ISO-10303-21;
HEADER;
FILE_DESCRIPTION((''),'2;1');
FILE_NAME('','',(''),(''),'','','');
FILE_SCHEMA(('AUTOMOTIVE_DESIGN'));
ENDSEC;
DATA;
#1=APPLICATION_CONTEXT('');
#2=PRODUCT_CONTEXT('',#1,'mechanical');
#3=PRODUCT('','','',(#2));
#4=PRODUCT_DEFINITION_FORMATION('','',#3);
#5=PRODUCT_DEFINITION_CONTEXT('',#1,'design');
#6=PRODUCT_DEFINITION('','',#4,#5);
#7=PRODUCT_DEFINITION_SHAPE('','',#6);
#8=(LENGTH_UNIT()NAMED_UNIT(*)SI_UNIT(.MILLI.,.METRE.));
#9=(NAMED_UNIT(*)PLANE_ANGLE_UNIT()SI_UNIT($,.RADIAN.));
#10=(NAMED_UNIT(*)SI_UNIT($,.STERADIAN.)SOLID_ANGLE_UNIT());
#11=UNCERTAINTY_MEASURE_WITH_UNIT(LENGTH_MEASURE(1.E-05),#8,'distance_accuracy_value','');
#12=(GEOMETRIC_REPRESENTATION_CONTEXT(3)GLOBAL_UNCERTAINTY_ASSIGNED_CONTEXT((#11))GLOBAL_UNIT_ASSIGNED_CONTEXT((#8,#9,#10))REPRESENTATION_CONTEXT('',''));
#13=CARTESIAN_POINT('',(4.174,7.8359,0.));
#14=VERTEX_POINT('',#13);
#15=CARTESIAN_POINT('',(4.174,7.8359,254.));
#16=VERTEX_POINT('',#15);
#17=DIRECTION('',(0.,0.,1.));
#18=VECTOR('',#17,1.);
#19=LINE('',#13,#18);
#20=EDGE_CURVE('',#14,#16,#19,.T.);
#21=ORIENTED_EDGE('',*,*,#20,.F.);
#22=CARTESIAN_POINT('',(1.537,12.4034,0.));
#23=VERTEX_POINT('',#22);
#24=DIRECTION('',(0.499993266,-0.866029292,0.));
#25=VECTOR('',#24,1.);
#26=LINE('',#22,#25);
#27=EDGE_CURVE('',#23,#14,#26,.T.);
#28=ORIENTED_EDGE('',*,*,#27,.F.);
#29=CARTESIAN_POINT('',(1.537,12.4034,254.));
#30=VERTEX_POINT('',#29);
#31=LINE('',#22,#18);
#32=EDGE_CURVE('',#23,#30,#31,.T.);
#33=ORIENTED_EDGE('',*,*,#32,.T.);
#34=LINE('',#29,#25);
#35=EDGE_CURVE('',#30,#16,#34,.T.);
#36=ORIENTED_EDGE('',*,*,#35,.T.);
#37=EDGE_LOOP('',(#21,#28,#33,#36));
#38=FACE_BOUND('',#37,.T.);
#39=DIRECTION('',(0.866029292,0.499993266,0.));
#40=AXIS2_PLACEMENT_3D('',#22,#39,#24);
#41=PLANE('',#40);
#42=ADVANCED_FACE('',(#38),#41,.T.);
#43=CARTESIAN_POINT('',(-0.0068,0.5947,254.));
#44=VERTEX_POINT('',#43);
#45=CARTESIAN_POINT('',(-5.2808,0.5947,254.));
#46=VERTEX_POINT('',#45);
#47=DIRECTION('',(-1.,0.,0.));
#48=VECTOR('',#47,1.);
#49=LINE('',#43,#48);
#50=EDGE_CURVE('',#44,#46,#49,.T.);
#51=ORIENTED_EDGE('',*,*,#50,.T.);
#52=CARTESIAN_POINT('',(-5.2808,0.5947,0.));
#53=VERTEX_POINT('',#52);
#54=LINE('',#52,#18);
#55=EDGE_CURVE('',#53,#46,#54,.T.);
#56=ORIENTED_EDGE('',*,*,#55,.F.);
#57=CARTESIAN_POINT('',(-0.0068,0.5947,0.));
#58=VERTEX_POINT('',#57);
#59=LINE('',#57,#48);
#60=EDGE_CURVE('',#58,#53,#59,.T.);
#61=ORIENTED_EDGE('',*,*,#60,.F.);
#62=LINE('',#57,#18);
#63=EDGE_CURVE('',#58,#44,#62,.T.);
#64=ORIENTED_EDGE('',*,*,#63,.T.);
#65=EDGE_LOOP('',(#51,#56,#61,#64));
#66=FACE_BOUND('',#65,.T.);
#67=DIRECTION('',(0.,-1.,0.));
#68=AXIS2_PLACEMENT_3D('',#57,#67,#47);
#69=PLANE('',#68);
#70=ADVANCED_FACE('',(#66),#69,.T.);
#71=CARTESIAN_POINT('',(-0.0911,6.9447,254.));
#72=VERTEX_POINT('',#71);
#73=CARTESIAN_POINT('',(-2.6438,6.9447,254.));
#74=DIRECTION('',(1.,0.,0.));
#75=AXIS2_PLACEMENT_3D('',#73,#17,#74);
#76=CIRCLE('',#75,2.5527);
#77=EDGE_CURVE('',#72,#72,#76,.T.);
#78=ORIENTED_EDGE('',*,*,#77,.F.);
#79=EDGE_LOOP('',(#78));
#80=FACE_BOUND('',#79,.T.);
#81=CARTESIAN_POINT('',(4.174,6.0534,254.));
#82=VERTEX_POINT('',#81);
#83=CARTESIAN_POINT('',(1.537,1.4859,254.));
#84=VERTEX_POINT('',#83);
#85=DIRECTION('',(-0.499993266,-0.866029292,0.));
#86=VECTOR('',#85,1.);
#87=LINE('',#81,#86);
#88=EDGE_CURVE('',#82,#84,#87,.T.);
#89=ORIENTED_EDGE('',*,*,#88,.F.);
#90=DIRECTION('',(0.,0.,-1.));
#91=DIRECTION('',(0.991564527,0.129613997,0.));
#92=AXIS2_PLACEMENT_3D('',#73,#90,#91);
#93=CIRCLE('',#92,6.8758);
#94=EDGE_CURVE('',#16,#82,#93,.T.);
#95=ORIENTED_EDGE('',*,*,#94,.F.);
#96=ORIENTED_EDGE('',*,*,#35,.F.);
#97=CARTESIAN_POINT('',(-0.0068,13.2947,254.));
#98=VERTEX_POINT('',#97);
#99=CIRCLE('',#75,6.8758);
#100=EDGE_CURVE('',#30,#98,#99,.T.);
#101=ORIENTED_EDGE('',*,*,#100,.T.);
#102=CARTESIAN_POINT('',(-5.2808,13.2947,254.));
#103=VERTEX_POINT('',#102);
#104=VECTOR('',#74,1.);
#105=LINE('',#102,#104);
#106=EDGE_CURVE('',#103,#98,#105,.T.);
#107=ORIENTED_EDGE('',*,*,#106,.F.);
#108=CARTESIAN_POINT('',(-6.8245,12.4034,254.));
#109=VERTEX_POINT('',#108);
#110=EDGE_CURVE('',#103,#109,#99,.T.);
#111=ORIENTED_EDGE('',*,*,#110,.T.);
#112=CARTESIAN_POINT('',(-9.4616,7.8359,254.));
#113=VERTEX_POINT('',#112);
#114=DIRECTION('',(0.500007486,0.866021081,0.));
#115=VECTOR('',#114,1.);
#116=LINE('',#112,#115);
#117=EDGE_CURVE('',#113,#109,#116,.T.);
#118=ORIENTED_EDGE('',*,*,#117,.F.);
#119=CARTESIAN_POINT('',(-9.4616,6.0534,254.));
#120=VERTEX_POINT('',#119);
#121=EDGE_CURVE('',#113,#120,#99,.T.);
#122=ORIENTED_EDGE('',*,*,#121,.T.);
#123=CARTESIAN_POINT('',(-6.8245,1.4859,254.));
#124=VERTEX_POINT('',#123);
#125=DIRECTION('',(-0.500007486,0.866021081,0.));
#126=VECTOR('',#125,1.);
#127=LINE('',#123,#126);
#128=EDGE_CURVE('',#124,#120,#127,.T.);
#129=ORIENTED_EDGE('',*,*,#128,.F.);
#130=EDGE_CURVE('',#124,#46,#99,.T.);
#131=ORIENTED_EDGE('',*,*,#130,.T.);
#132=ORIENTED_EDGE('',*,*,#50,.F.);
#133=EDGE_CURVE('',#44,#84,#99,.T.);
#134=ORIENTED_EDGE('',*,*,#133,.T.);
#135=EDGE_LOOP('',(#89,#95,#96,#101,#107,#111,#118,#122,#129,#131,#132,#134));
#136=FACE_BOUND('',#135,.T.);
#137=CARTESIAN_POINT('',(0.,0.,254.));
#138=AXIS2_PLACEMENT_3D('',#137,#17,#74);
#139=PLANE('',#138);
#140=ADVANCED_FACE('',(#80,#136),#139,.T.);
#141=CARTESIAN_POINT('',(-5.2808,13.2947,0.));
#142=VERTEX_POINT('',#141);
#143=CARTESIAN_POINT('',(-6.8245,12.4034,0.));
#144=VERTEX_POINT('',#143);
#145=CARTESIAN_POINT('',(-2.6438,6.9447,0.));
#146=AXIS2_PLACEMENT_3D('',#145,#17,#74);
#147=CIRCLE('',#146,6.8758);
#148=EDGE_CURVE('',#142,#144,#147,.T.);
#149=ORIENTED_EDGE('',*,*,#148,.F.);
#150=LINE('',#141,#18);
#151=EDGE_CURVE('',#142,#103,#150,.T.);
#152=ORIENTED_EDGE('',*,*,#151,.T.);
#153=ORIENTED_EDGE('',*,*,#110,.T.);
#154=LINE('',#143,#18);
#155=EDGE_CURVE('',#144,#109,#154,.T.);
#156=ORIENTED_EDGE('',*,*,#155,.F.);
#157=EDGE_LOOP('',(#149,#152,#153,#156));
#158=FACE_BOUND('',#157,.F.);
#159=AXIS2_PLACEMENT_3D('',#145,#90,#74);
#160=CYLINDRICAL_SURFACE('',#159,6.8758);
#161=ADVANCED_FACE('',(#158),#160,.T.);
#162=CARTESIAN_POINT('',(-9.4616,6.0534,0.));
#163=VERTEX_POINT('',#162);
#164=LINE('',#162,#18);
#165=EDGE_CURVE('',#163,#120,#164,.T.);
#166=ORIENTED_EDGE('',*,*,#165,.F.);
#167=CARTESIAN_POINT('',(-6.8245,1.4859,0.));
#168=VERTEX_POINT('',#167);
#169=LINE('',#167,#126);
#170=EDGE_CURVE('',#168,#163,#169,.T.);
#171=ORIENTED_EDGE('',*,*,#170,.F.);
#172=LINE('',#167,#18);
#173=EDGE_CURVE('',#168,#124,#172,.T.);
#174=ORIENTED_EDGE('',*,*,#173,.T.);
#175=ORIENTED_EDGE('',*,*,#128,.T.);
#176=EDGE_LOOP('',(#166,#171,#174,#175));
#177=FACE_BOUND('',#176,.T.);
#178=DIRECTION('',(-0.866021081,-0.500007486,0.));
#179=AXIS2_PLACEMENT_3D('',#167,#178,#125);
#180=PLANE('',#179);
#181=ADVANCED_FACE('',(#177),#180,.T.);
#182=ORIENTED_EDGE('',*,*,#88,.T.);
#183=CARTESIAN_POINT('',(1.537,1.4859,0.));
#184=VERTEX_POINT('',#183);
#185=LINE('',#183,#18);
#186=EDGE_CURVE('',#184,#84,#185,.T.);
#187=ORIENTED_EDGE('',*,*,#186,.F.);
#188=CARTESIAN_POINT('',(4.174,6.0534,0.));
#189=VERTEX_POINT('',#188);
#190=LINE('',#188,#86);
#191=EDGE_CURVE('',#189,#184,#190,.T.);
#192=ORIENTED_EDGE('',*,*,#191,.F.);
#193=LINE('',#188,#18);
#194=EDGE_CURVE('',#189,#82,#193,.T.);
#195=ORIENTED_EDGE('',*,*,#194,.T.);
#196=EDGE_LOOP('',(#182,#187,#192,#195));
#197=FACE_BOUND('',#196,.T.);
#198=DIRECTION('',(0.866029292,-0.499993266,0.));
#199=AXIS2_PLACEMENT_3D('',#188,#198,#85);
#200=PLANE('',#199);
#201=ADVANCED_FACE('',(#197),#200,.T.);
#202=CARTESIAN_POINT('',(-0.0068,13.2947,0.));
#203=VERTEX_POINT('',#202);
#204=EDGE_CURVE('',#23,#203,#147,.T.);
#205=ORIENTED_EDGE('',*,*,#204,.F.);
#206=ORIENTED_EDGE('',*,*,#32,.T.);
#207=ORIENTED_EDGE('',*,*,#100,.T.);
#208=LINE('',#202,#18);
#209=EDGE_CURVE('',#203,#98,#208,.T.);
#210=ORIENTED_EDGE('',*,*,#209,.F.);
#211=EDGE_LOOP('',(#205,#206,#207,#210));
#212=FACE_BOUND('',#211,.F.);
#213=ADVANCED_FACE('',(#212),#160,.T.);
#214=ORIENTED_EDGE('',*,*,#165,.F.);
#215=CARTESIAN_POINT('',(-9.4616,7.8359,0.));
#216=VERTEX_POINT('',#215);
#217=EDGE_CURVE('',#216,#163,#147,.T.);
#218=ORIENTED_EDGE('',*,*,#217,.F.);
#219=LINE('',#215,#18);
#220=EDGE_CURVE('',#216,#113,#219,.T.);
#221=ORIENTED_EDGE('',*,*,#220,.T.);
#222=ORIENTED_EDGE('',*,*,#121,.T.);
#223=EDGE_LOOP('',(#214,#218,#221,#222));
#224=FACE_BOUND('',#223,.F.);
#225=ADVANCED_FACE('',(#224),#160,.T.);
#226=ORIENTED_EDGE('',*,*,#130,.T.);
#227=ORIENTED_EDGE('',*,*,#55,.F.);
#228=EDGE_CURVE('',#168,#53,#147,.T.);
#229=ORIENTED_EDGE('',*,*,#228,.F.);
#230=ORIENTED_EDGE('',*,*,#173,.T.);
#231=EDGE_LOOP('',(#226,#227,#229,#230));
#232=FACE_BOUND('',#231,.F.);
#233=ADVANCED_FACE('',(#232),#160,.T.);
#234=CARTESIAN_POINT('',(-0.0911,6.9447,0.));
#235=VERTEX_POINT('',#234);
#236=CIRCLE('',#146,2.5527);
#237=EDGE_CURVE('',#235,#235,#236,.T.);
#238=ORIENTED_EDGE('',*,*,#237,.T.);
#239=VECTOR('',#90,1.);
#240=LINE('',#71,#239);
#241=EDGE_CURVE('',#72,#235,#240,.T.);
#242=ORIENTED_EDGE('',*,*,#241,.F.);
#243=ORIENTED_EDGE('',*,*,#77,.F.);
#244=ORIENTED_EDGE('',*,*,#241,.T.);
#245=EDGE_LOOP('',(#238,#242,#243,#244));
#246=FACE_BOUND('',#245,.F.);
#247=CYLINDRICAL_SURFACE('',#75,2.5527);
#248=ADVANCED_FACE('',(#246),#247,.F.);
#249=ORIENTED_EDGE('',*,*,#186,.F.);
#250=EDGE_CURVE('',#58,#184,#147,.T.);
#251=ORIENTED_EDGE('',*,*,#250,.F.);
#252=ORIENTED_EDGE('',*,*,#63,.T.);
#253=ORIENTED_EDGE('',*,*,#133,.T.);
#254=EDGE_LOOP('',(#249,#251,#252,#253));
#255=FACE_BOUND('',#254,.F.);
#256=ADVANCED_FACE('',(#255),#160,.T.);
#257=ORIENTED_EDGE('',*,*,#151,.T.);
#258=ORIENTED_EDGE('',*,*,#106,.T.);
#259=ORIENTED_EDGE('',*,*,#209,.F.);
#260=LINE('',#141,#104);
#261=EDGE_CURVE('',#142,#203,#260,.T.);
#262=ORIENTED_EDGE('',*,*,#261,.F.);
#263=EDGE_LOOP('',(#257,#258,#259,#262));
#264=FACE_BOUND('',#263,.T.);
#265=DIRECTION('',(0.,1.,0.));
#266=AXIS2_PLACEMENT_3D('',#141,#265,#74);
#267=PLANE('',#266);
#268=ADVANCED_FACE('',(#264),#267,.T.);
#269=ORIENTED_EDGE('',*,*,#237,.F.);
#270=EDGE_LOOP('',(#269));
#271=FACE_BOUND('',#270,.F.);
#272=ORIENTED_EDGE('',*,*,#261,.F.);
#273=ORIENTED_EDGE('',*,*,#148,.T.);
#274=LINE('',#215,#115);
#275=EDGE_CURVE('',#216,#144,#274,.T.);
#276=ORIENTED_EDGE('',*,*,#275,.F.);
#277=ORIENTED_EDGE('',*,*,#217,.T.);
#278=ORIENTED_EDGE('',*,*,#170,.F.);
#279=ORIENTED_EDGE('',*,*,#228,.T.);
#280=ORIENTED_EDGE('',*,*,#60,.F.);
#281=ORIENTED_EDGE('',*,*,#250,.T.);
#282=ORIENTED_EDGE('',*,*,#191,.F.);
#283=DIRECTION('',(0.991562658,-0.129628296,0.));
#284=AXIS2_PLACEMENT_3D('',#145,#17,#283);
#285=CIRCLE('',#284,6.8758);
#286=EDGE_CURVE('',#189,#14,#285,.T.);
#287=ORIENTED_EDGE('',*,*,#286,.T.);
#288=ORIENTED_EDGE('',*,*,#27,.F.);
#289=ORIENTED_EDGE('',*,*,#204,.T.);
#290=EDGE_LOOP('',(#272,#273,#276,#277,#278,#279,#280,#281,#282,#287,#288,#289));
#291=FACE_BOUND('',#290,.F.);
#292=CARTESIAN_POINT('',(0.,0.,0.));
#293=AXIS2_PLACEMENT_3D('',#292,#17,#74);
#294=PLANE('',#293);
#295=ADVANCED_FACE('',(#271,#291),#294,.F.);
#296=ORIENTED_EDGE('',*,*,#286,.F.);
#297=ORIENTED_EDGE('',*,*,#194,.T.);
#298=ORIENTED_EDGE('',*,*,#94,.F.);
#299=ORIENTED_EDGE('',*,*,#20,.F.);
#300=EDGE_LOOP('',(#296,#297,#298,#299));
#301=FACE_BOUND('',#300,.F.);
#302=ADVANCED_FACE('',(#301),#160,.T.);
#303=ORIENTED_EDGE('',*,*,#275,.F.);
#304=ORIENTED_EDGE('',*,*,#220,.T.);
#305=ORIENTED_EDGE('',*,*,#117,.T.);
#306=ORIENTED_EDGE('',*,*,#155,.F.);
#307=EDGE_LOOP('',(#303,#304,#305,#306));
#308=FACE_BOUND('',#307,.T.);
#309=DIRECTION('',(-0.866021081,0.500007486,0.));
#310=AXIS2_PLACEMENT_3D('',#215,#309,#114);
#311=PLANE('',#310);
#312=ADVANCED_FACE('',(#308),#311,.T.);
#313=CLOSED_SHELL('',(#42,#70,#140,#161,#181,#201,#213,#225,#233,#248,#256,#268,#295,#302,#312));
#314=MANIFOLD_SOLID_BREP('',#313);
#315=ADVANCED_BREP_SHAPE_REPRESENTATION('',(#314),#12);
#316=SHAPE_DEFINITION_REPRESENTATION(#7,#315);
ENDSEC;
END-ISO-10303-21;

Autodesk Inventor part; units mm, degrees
ref_plane "YZ Plane" through (0, 0, 0) normal (1, 0, 0) x (0, 1, 0)
ref_plane "XZ Plane" through (0, 0, 0) normal (0, 1, 0) x (-1, 0, 0)
ref_plane "XY Plane" through (0, 0, 0) normal (0, 0, 1) x (1, 0, 0)
sketch "Sketch1" plane through (0, 0, 0) normal (0, 0, 1) x (1, 0, 0)
  circle A0 centre (-2.6438, 6.9447) radius 6.8758
  line L0 (-9.4616, 7.8359) -> (-6.8245, 12.4034)
  line L1 (-6.8245, 1.4859) -> (-9.4616, 6.0534)
  line L2 (-0.0068, 0.5947) -> (-5.2808, 0.5947)
  line L3 (4.174, 6.0534) -> (1.537, 1.4859)
  line L4 (1.537, 12.4034) -> (4.174, 7.8359)
  line L5 (-5.2808, 13.2947) -> (-0.0068, 13.2947)
  point P0 (0, 0)
  point P1 (1.537, 1.4859)
  dimension "d0" = 13.7516
  dimension "d4" = 360
extrude "Extrusion1" add sketch "Sketch1" along normal blind 254 contours A0 L3 L2 L1 L0 L5 L4
sketch "Sketch2" plane through (0, 0, 254) normal (0, 0, 1) x (1, 0, 0)
  circle A0 centre (-2.6438, 6.9447) radius 2.5527
  line L0 (-5.2808, 0.5947) -> (-0.0068, 0.5947) projected
  line L1 (-2.6438, 6.9447) -> (-5.2808, 0.5947) construction
  line L2 (-2.6438, 6.9447) -> (-0.0068, 0.5947) construction
  point P0 (0, 0)
  dimension "d8" = 5.1054
  dimension "d9" = 6.35
extrude "Extrusion2" cut sketch "Sketch2" against normal blind 254
equation "\"d6\" = d5"
equation "\"d10\" = d5"
equation "\"d5\" = 254"
properties part number "10in THUNDERSHAFT"
